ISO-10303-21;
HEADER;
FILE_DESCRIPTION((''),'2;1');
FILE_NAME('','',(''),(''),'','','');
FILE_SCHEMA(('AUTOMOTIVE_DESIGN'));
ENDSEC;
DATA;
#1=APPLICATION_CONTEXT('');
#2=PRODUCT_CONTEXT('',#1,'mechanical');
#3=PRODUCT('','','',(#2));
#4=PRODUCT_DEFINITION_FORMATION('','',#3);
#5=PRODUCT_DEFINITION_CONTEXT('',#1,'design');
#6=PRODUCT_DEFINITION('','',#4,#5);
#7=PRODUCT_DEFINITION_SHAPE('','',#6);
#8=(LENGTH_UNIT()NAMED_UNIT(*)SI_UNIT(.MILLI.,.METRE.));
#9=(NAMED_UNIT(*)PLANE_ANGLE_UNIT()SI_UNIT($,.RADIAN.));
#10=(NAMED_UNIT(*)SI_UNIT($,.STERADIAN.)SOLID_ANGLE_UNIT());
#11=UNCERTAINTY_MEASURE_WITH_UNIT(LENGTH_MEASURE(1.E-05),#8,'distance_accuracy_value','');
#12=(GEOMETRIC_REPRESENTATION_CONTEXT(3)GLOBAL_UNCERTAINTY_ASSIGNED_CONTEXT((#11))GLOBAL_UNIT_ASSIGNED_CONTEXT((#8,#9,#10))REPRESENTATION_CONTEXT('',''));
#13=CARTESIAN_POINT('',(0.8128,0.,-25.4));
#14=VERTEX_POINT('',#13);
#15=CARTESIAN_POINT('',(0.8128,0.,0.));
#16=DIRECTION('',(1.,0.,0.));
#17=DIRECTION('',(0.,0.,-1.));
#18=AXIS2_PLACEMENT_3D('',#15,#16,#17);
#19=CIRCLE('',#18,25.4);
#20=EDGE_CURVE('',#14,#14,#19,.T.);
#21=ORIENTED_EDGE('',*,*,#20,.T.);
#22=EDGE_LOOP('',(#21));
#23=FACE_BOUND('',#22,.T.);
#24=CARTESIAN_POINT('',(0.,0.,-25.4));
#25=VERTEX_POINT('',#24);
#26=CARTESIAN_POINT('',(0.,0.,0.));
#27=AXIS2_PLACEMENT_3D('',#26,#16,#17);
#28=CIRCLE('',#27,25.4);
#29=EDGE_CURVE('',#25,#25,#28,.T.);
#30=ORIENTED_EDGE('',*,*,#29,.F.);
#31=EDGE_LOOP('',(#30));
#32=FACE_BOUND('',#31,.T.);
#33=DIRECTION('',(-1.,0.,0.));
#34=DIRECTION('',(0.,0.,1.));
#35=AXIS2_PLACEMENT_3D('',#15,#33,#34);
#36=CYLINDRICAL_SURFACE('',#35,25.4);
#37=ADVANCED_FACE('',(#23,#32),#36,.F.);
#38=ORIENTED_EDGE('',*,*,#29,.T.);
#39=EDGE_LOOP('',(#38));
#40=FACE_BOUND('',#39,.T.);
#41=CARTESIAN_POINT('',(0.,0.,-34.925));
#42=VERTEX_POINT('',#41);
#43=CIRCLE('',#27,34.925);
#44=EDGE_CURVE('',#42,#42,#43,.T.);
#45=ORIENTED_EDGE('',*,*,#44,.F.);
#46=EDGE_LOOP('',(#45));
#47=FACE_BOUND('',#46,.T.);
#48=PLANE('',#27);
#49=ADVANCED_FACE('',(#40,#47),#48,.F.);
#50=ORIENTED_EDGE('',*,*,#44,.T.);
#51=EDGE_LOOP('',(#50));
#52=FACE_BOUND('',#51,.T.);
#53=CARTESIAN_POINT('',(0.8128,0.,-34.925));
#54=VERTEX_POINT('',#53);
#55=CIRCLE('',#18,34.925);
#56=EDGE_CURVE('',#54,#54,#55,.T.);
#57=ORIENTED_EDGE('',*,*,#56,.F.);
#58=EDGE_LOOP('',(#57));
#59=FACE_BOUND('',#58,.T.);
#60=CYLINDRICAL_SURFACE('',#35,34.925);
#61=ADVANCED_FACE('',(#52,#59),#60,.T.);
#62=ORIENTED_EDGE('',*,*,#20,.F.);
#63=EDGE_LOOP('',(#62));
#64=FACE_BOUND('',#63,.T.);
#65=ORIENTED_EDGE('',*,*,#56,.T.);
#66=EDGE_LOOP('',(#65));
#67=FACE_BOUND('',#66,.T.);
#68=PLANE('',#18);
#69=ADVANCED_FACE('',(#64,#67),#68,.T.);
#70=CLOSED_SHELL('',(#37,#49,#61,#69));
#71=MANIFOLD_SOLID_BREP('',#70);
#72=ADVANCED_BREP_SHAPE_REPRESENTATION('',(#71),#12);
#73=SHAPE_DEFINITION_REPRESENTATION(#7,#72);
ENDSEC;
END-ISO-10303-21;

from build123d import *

# Parameters (mm, degrees)
SKETCH1_R      = 34.925
SKETCH1_R_2    = 25.4
EXTRUDE1_DEPTH = 0.8128


with BuildPart() as part:
    # Sketch1 → Extrude1 (new body)
    with BuildSketch(Plane(origin=(0, 0, 0), x_dir=(0, 0, -1), z_dir=(1, 0, 0))):
        Circle(SKETCH1_R)
        Circle(SKETCH1_R_2, mode=Mode.SUBTRACT)
    extrude(amount=EXTRUDE1_DEPTH)


solid = part.part
